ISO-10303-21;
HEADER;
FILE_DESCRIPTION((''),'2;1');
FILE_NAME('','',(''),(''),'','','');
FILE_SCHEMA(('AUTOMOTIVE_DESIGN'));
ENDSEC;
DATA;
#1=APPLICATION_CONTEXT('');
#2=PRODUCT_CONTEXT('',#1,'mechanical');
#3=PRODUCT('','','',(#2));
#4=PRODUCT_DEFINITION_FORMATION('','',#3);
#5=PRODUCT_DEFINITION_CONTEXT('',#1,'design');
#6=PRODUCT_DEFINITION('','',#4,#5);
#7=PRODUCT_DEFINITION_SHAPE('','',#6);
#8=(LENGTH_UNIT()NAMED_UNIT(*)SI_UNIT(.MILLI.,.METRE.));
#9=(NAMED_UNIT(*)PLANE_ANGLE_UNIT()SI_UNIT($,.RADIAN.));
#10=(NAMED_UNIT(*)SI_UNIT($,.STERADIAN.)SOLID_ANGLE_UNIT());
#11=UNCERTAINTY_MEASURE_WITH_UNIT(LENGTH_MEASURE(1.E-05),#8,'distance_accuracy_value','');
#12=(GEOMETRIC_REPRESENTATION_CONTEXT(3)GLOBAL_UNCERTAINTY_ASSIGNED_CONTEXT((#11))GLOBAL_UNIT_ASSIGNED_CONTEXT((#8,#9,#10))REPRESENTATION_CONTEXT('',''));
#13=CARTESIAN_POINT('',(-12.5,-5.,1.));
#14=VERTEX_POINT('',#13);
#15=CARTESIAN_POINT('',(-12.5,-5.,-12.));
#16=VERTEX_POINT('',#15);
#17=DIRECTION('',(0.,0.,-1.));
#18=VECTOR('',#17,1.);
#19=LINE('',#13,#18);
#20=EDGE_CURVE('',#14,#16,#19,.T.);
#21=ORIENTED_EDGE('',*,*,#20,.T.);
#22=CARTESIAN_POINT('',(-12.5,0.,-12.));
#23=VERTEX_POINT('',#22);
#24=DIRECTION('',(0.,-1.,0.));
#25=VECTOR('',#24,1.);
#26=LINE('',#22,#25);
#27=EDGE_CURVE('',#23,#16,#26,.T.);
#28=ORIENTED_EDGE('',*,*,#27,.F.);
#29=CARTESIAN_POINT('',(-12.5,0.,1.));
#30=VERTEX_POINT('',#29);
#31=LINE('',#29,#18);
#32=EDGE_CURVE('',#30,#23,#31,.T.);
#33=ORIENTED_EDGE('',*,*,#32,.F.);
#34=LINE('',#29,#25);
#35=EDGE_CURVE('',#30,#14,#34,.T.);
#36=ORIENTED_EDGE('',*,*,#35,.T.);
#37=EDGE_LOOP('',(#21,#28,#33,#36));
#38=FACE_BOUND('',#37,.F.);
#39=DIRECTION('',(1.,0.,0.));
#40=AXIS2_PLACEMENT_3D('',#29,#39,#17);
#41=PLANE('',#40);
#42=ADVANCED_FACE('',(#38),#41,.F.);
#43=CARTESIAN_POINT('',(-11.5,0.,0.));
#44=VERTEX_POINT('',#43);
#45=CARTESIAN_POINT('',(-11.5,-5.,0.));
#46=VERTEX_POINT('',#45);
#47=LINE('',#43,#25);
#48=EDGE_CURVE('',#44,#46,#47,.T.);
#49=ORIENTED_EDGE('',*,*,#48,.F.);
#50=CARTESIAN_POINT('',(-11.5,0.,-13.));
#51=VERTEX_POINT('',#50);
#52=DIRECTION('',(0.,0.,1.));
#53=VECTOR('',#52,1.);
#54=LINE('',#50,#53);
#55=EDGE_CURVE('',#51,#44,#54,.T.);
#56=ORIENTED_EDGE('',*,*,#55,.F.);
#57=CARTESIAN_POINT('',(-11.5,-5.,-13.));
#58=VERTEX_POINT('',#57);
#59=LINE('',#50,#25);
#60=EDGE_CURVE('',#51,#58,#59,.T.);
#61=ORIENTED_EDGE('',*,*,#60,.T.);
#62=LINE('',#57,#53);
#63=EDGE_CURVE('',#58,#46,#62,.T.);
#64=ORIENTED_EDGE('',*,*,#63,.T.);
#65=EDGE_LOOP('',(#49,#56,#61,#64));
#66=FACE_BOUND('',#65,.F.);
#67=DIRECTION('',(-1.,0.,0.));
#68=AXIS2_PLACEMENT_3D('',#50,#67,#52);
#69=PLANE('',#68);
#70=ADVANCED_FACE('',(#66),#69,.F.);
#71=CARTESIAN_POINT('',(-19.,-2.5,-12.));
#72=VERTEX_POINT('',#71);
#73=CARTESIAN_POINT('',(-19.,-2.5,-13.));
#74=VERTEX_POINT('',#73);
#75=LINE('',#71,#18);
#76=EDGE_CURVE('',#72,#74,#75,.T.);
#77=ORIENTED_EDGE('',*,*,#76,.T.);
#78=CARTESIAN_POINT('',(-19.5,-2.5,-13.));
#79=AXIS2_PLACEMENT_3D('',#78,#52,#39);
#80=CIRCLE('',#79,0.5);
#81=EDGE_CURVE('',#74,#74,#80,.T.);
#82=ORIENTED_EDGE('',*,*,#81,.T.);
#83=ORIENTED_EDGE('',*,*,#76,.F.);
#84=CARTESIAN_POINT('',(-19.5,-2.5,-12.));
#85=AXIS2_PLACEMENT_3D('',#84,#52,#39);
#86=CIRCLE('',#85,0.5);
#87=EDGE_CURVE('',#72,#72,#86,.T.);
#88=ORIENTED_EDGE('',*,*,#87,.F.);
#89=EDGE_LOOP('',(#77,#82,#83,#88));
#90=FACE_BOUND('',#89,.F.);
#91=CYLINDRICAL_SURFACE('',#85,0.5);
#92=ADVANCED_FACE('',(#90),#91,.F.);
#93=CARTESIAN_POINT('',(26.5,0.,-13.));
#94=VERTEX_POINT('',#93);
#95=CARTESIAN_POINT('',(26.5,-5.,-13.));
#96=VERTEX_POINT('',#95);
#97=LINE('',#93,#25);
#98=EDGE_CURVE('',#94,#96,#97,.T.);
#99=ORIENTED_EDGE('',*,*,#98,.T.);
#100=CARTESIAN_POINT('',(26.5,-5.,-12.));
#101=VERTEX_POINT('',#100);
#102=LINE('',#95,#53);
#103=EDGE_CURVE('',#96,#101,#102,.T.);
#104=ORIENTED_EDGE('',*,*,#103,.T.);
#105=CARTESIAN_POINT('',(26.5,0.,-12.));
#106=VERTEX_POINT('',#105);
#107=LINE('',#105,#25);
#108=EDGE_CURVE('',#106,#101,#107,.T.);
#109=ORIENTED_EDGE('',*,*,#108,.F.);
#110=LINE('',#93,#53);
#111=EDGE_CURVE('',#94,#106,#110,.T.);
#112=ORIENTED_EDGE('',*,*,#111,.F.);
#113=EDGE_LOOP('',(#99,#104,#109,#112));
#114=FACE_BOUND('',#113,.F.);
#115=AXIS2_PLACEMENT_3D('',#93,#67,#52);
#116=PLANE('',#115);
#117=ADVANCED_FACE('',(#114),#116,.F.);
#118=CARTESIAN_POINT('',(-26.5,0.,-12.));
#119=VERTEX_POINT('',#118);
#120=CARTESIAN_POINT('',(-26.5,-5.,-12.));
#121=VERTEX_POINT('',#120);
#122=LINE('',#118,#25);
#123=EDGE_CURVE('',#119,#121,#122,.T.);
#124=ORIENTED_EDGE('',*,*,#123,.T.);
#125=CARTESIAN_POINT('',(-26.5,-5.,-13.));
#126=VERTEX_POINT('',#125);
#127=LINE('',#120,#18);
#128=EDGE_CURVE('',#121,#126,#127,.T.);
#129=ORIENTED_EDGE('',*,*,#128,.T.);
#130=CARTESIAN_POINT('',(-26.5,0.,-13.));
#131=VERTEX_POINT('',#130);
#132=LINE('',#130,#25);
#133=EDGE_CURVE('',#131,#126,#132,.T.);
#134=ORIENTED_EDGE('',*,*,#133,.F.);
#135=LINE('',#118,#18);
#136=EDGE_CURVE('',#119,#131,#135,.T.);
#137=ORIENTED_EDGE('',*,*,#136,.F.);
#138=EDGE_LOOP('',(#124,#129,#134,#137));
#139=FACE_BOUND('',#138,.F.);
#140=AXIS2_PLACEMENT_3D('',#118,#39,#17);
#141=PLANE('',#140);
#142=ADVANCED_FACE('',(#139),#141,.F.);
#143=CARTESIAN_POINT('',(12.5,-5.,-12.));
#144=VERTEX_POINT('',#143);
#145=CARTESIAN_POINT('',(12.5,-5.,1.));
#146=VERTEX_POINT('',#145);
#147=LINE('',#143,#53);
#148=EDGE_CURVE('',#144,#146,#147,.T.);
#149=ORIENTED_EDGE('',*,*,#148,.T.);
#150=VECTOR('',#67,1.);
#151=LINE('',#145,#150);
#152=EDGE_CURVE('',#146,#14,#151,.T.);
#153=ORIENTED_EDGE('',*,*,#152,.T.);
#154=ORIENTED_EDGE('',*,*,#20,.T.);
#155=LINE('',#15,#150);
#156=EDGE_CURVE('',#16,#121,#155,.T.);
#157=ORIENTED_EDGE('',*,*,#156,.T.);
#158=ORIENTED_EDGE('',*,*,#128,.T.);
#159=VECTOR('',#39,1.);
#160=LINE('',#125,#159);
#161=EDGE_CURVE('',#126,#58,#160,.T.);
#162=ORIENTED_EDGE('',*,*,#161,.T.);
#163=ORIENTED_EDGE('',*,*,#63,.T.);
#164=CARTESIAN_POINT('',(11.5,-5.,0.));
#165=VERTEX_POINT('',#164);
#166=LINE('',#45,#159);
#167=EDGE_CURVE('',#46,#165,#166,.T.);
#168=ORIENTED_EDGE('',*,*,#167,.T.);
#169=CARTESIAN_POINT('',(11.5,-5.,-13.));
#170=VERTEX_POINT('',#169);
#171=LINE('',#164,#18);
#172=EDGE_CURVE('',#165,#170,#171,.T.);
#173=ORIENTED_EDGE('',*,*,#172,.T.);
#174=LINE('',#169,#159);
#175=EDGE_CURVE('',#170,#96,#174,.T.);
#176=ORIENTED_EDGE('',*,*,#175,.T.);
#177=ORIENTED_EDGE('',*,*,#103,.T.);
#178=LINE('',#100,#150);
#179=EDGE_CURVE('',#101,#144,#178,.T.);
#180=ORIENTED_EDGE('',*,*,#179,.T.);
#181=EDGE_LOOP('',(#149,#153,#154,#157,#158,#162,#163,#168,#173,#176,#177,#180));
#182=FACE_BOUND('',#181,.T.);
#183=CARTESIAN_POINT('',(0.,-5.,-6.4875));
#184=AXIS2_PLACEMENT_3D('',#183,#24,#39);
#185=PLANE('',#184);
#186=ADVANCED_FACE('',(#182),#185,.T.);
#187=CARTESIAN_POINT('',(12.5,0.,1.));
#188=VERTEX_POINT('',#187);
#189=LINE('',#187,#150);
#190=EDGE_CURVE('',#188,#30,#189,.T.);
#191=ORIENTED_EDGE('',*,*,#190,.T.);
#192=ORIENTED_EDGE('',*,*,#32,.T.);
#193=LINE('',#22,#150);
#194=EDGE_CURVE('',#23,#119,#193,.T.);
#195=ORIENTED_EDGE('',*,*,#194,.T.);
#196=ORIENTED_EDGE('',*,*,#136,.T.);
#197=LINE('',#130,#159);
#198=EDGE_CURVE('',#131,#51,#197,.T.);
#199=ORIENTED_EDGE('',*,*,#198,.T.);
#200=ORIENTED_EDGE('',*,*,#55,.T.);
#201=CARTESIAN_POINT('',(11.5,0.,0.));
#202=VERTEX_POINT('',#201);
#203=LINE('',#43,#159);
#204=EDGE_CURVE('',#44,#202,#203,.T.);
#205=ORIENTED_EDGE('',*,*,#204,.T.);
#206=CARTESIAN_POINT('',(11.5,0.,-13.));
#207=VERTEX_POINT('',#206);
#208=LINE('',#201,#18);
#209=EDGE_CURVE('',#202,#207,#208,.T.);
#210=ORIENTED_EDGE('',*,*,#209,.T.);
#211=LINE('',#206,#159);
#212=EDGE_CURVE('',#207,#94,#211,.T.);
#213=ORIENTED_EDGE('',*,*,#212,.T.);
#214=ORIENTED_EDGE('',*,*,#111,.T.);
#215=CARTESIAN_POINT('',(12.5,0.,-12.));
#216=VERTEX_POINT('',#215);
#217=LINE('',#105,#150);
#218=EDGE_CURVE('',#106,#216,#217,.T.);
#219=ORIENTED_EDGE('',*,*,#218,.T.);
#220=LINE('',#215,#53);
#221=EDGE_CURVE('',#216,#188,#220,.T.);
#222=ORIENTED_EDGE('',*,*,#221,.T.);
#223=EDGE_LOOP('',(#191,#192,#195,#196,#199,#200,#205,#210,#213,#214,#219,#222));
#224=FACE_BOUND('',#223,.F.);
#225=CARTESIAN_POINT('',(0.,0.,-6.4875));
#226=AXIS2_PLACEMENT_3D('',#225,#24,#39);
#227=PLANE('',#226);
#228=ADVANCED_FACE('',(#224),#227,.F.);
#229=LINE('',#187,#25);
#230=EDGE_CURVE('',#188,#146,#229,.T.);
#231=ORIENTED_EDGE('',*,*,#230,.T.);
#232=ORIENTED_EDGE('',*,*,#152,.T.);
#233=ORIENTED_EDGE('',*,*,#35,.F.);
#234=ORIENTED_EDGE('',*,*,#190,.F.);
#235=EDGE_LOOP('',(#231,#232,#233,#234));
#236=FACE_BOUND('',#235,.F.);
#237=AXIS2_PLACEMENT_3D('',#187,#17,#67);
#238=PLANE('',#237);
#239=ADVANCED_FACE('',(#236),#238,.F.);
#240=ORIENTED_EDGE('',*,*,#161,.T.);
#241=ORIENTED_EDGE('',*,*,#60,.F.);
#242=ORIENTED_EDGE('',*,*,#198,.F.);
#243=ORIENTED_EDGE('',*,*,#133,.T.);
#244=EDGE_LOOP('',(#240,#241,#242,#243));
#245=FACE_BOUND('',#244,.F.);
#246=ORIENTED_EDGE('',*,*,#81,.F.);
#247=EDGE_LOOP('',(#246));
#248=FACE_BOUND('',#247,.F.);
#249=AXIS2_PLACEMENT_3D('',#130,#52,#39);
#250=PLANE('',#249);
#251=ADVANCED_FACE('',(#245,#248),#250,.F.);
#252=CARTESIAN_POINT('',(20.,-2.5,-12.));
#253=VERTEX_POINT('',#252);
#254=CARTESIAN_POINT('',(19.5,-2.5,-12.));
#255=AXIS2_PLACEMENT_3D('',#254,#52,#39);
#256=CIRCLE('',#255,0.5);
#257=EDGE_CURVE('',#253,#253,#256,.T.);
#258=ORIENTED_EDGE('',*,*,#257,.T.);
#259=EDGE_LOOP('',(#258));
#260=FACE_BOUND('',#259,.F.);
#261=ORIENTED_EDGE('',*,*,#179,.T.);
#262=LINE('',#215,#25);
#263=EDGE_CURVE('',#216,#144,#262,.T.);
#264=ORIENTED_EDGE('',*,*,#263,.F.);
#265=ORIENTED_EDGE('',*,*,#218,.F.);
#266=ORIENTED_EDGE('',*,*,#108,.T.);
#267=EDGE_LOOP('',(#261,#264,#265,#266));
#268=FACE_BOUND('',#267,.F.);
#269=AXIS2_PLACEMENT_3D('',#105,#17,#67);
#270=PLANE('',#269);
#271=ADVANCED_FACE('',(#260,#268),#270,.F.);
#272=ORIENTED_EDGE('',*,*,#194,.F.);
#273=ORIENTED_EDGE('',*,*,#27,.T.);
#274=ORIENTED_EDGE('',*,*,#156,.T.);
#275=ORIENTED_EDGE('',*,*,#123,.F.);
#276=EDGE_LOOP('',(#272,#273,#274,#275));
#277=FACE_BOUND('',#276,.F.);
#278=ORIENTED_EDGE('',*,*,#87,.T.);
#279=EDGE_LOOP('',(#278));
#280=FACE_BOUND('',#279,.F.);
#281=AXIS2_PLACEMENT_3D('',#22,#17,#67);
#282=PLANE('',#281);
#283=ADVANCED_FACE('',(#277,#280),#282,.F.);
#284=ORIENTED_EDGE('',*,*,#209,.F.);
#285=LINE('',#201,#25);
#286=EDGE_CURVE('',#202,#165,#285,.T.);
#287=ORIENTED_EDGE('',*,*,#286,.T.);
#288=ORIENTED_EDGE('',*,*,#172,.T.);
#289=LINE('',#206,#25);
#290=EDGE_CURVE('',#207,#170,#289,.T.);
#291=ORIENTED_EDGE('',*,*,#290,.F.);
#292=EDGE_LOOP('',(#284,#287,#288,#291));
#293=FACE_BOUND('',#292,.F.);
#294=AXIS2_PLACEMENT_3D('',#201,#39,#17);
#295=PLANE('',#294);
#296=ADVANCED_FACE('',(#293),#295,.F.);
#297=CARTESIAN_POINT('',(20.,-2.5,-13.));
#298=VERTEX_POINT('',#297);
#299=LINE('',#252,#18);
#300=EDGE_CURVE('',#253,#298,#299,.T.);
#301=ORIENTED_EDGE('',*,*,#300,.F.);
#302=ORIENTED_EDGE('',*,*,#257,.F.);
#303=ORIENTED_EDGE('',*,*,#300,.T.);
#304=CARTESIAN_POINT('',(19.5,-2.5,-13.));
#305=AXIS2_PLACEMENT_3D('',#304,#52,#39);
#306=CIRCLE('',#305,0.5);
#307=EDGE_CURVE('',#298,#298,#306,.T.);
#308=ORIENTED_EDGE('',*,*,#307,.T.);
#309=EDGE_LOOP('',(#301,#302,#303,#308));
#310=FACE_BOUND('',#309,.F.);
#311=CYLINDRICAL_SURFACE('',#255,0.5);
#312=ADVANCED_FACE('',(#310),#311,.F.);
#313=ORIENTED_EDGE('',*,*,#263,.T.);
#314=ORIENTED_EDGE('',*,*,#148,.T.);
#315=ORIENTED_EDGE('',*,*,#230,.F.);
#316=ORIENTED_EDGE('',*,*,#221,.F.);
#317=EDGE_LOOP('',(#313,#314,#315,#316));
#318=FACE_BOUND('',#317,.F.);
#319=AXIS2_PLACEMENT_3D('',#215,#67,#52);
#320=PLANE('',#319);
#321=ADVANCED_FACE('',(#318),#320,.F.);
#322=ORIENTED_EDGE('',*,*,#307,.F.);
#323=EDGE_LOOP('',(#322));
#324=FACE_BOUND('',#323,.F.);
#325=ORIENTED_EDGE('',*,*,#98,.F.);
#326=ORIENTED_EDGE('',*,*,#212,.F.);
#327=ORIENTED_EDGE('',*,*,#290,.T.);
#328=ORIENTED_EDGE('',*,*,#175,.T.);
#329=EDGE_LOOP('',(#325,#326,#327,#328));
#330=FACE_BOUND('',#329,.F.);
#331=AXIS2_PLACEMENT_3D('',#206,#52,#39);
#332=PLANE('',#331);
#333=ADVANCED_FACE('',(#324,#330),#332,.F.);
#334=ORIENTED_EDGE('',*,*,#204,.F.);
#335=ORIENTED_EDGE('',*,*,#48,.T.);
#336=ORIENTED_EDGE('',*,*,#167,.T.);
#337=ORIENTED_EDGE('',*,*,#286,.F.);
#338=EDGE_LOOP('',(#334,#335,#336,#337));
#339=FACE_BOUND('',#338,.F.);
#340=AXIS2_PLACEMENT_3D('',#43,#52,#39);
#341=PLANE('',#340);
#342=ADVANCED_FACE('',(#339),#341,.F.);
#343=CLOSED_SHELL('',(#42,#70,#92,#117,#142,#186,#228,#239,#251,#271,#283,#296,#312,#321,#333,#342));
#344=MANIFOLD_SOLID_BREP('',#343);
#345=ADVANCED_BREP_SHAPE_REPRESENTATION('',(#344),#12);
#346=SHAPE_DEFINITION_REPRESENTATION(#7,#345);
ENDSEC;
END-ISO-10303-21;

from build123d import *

# Parameters (mm, degrees)
F1_DEPTH = 5
F2_R     = 0.5
F3_DEPTH = 1.001


with BuildPart() as f1:
    # F0 (on Front) → F1 (new body)
    with BuildSketch(Plane.XZ):
        Polygon((-11.5, -13), (-11.5, 0), (11.5, 0), (11.5, -13), (26.5, -13), (26.5, -12), (12.5, -12), (12.5, 1), (-12.5, 1), (-12.5, -12), (-26.5, -12), (-26.5, -13), align=None)
    extrude(amount=F1_DEPTH)

    # F2 (on face) → F3 (cut, through all)
    with BuildSketch(Plane.XY.offset(-12)):
        with Locations((-19.5, -2.5)):
            Circle(F2_R)
        with Locations((19.5, -2.5)):
            Circle(F2_R)
    extrude(amount=-F3_DEPTH, mode=Mode.SUBTRACT)


solid = f1.part
